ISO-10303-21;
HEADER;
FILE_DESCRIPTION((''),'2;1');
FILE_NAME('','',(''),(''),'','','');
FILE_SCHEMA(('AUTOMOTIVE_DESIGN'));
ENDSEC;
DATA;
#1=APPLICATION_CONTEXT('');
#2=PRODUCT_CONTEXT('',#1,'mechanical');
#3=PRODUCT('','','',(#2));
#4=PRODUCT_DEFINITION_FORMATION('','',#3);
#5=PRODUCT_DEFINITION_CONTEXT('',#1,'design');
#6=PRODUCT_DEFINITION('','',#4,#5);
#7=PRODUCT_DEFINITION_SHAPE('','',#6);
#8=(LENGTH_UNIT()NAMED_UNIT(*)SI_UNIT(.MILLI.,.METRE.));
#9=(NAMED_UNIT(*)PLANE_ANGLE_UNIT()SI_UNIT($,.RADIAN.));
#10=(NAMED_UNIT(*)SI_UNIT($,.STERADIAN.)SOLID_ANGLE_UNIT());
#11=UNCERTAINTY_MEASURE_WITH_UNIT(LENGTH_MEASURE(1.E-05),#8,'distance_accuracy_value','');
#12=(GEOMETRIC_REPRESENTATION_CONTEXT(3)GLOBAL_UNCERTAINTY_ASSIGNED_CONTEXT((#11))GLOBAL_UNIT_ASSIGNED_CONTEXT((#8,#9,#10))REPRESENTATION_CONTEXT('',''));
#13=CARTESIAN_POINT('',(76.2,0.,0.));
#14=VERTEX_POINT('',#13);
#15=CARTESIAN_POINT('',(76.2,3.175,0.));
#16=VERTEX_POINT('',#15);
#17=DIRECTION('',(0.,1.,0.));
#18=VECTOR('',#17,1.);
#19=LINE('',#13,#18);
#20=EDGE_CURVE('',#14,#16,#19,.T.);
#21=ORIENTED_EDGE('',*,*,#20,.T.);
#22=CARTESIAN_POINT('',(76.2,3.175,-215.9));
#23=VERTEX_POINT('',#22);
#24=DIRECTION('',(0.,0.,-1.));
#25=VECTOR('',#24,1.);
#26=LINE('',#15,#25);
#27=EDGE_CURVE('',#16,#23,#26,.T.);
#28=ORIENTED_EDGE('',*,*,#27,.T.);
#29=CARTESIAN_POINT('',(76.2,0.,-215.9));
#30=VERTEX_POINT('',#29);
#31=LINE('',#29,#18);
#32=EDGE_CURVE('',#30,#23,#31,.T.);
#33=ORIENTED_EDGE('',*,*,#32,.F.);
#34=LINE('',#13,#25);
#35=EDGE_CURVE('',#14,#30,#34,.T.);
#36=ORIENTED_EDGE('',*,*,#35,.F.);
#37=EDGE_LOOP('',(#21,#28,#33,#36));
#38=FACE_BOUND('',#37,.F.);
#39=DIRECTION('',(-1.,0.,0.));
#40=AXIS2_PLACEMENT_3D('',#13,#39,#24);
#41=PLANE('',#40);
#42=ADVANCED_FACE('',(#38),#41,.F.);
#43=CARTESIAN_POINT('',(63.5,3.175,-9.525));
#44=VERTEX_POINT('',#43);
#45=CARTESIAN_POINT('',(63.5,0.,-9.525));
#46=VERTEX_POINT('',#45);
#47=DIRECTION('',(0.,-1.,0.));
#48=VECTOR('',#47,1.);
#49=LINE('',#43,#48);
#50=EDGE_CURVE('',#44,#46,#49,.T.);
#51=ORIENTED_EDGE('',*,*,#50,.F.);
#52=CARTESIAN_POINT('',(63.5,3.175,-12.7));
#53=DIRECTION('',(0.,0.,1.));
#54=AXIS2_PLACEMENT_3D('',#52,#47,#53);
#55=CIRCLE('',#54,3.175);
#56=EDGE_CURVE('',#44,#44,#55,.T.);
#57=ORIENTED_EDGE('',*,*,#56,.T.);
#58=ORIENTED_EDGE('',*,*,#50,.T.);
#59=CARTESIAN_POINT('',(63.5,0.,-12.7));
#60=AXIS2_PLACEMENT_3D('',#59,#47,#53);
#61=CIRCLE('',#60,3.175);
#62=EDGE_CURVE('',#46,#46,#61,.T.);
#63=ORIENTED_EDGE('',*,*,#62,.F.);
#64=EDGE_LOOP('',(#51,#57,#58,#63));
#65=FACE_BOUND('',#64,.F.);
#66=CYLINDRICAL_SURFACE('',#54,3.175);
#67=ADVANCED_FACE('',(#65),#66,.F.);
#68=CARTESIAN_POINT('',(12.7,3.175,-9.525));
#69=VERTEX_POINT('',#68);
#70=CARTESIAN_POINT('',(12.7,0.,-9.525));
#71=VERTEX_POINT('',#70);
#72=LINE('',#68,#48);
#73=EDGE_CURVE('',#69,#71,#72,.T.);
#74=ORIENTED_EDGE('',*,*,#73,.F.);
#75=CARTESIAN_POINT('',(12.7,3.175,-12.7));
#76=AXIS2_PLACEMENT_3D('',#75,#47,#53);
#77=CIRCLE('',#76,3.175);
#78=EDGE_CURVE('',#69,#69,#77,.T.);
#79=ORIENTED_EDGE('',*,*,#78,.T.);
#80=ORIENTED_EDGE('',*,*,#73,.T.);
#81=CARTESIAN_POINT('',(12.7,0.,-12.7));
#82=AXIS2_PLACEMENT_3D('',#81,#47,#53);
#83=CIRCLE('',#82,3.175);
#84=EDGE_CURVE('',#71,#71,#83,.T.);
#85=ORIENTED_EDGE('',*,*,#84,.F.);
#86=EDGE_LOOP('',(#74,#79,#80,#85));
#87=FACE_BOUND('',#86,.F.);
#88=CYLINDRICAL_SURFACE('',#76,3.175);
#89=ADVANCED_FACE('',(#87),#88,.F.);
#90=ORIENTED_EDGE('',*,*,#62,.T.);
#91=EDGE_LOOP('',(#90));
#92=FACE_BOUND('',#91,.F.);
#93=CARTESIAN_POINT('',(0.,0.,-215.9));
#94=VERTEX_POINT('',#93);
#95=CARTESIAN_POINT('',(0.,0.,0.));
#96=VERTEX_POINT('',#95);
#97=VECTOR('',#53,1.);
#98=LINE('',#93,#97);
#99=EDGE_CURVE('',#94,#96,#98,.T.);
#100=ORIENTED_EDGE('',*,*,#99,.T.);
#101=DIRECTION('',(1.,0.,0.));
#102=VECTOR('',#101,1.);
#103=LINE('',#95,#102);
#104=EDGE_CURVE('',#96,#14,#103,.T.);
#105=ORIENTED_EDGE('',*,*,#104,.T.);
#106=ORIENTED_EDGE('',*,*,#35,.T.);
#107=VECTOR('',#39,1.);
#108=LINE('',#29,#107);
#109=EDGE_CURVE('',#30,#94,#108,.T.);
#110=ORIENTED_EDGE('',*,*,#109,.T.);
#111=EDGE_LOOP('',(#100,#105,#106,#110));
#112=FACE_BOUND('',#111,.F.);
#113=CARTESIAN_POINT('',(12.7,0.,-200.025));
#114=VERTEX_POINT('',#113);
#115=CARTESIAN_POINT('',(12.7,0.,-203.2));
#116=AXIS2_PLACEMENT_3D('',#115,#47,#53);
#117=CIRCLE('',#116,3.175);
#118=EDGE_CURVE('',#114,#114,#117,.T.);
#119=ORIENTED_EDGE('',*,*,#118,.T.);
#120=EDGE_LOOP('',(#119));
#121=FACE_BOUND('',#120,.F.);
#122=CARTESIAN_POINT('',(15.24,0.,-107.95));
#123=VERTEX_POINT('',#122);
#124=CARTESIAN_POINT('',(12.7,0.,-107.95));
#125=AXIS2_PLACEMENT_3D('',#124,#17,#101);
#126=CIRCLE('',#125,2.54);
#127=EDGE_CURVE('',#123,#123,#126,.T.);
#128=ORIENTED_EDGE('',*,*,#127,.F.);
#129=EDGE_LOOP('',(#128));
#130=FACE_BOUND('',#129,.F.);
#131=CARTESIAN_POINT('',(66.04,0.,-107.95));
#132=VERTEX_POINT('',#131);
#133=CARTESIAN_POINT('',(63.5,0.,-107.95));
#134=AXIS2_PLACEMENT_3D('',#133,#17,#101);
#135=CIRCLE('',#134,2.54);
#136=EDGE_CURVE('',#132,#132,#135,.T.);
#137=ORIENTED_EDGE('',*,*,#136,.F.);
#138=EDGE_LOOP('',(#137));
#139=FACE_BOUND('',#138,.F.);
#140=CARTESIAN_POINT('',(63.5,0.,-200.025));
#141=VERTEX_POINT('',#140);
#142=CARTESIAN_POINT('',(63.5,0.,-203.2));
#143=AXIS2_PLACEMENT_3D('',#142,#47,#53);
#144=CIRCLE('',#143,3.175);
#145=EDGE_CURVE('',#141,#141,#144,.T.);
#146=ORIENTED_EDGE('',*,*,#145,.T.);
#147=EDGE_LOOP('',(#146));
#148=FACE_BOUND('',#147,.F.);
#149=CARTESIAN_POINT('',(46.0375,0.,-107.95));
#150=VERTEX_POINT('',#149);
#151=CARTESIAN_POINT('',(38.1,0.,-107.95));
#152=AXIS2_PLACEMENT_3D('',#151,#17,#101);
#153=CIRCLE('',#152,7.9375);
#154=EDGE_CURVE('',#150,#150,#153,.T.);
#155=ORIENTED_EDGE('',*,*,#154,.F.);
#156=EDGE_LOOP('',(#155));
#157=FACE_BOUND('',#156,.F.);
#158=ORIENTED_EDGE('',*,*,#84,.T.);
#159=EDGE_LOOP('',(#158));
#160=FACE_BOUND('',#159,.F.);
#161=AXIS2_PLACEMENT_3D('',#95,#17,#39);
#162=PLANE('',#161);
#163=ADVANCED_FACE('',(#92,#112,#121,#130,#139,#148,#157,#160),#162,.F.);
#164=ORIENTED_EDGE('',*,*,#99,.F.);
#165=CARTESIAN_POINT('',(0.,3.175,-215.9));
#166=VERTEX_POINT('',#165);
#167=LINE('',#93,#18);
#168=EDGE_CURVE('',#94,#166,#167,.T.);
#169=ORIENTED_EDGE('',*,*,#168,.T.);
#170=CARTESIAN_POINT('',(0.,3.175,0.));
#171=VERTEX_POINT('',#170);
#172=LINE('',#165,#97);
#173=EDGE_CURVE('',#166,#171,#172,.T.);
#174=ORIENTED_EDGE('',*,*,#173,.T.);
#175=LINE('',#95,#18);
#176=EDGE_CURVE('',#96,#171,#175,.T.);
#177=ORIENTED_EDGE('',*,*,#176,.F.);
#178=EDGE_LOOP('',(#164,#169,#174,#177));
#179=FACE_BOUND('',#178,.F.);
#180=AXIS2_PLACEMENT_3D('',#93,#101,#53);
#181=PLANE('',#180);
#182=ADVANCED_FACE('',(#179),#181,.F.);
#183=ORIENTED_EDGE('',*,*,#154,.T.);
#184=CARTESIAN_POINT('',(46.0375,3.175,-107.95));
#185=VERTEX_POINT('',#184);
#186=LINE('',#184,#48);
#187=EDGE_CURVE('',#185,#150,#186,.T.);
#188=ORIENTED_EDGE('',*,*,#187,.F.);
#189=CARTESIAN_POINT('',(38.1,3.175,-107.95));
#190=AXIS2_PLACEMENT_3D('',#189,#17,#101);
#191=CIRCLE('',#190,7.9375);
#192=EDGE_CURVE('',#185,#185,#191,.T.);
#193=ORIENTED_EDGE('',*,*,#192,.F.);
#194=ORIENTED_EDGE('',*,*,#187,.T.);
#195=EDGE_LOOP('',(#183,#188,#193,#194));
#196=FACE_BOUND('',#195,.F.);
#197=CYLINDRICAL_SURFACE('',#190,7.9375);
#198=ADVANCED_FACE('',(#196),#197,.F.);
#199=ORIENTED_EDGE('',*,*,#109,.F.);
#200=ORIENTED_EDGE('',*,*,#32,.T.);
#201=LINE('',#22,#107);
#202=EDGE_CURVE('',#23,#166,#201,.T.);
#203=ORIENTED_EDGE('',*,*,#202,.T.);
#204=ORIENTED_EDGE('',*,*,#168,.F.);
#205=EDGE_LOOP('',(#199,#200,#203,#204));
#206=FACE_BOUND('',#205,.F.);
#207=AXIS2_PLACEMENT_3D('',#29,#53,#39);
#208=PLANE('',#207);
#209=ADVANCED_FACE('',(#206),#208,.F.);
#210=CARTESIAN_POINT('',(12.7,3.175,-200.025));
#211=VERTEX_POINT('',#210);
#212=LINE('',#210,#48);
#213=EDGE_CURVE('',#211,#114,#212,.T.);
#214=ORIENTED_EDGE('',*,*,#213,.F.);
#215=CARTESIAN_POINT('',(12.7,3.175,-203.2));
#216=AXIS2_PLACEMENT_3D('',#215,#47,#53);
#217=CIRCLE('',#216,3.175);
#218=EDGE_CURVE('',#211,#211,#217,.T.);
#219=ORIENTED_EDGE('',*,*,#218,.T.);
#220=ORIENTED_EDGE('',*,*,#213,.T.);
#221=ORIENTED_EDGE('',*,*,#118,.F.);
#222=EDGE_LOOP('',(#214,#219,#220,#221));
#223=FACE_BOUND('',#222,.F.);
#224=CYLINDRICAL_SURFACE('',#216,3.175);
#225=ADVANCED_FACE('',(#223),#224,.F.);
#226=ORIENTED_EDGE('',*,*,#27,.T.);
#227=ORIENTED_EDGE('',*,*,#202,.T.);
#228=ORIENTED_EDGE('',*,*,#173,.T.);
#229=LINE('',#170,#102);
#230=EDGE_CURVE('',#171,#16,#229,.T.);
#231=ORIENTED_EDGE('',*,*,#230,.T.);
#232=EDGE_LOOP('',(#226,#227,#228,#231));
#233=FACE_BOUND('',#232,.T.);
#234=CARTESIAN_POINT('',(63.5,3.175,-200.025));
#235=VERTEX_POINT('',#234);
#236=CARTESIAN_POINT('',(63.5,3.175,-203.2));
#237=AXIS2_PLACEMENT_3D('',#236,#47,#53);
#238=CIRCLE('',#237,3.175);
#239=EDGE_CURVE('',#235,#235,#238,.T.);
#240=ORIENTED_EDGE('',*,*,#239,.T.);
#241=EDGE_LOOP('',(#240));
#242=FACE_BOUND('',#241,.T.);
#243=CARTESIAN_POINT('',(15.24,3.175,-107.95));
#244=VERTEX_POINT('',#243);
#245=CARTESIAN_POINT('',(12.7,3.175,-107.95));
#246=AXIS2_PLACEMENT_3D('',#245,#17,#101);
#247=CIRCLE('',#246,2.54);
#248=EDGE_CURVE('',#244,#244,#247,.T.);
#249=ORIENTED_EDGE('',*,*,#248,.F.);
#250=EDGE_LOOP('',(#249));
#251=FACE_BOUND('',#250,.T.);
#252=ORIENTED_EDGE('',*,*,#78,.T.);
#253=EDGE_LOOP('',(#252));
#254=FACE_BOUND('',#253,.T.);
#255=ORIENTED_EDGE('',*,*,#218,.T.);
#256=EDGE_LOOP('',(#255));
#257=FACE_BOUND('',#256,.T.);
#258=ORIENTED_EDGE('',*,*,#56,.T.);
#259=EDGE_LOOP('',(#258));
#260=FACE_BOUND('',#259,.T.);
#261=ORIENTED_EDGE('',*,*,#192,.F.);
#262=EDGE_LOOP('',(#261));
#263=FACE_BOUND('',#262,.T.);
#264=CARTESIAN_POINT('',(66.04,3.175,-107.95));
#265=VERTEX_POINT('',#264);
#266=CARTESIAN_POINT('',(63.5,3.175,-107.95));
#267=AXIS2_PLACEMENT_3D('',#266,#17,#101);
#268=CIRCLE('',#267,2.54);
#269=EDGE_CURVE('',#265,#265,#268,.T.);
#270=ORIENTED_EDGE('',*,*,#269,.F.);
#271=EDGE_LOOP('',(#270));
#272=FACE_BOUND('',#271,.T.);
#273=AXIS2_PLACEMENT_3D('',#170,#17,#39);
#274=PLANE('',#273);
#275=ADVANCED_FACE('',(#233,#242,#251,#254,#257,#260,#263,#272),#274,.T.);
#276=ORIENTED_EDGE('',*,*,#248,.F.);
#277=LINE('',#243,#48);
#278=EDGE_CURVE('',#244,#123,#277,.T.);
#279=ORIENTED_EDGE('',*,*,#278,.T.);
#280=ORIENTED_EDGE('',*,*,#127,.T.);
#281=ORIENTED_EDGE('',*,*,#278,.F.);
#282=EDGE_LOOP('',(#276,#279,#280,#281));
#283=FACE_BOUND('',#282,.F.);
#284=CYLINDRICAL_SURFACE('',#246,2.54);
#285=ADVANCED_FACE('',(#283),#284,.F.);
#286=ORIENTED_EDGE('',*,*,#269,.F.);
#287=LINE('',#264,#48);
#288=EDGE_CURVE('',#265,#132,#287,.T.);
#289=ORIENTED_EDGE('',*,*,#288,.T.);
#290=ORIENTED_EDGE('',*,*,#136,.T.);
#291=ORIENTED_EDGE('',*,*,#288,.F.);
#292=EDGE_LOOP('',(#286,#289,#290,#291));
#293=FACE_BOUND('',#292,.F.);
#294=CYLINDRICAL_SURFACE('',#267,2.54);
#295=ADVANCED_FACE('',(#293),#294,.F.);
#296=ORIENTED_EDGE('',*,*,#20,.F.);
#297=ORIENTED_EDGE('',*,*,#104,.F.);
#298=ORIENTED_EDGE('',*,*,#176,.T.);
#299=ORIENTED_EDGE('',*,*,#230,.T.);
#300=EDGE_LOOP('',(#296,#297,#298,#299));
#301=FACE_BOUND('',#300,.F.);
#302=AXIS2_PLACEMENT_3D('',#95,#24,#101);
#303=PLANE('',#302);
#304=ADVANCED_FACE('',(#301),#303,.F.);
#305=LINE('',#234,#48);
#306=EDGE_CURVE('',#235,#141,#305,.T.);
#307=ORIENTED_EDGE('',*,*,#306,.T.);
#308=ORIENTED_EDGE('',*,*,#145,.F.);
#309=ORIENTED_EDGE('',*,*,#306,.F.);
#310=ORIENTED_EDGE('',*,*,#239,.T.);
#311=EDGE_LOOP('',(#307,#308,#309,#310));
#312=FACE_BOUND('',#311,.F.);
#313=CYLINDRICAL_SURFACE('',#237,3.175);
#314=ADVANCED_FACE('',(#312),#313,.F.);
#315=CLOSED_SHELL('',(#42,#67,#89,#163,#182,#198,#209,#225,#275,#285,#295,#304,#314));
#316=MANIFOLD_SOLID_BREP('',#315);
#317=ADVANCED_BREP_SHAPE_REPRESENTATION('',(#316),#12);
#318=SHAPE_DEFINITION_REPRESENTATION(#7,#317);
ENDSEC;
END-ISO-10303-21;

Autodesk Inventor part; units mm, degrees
ref_plane "YZ Plane" through (0, 0, 0) normal (1, 0, 0) x (0, 1, 0)
ref_plane "XZ Plane" through (0, 0, 0) normal (0, 1, 0) x (-1, 0, 0)
ref_plane "XY Plane" through (0, 0, 0) normal (0, 0, 1) x (1, 0, 0)
sketch "Sketch1" plane through (0, 0, 0) normal (0, 1, 0) x (-1, 0, 0)
  line L0 (0, 0) -> (-76.2, 0)
  line L1 (-76.2, 0) -> (-76.2, -215.9)
  line L2 (-76.2, -215.9) -> (0, -215.9)
  line L3 (0, -215.9) -> (0, 0)
  dimension "d0" = 76.2
  dimension "d1" = 215.9
extrude "Extrusion1" add sketch "Sketch1" along normal blind 3.175
sketch "Sketch2" plane through (0, 3.175, 0) normal (0, 1, 0) x (1, 0, 0)
  line L0 (0, 0) -> (76.2, 0) projected
  line L1 (0, 215.9) -> (0, 0) projected
  circle A0 centre (12.7, 107.95) radius 2.54
  circle A1 centre (63.5, 107.95) radius 2.54
  circle A2 centre (38.1, 107.95) radius 7.9375
  dimension "d4" = 107.95
  dimension "d5" = 38.1
  dimension "d6" = 25.4
  dimension "d7" = 25.4
  dimension "d8" = 107.95
  dimension "d9" = 107.95
  dimension "d10" = 5.08
  dimension "d11" = 5.08
  dimension "d12" = 15.875
extrude "Extrusion2" cut sketch "Sketch2" against normal blind 25.4
sketch "Sketch3" plane through (0, 3.175, 0) normal (0, 1, 0) x (1, 0, 0)
  line L0 (0, 0) -> (76.2, 0) projected
  line L1 (76.2, 0) -> (76.2, 215.9) projected
  line L2 (76.2, 215.9) -> (0, 215.9) projected
  line L3 (0, 215.9) -> (0, 0) projected
  point P0 (12.7, 12.7)
  point P1 (63.5, 12.7)
  point P2 (63.5, 203.2)
  point P3 (12.7, 203.2)
  dimension "d15" = 12.7
  dimension "d16" = 12.7
  dimension "d17" = 12.7
  dimension "d18" = 12.7
  dimension "d19" = 12.7
  dimension "d20" = 12.7
  dimension "d21" = 12.7
  dimension "d22" = 12.7
hole "Hole1" at (12.7, 3.175, -12.7) at (63.5, 3.175, -12.7) at (63.5, 3.175, -203.2) at (12.7, 3.175, -203.2) direction (0, -1, 0) diameter 6.35 end through all
properties part number "motor support plate" material "Aluminum 6061"
